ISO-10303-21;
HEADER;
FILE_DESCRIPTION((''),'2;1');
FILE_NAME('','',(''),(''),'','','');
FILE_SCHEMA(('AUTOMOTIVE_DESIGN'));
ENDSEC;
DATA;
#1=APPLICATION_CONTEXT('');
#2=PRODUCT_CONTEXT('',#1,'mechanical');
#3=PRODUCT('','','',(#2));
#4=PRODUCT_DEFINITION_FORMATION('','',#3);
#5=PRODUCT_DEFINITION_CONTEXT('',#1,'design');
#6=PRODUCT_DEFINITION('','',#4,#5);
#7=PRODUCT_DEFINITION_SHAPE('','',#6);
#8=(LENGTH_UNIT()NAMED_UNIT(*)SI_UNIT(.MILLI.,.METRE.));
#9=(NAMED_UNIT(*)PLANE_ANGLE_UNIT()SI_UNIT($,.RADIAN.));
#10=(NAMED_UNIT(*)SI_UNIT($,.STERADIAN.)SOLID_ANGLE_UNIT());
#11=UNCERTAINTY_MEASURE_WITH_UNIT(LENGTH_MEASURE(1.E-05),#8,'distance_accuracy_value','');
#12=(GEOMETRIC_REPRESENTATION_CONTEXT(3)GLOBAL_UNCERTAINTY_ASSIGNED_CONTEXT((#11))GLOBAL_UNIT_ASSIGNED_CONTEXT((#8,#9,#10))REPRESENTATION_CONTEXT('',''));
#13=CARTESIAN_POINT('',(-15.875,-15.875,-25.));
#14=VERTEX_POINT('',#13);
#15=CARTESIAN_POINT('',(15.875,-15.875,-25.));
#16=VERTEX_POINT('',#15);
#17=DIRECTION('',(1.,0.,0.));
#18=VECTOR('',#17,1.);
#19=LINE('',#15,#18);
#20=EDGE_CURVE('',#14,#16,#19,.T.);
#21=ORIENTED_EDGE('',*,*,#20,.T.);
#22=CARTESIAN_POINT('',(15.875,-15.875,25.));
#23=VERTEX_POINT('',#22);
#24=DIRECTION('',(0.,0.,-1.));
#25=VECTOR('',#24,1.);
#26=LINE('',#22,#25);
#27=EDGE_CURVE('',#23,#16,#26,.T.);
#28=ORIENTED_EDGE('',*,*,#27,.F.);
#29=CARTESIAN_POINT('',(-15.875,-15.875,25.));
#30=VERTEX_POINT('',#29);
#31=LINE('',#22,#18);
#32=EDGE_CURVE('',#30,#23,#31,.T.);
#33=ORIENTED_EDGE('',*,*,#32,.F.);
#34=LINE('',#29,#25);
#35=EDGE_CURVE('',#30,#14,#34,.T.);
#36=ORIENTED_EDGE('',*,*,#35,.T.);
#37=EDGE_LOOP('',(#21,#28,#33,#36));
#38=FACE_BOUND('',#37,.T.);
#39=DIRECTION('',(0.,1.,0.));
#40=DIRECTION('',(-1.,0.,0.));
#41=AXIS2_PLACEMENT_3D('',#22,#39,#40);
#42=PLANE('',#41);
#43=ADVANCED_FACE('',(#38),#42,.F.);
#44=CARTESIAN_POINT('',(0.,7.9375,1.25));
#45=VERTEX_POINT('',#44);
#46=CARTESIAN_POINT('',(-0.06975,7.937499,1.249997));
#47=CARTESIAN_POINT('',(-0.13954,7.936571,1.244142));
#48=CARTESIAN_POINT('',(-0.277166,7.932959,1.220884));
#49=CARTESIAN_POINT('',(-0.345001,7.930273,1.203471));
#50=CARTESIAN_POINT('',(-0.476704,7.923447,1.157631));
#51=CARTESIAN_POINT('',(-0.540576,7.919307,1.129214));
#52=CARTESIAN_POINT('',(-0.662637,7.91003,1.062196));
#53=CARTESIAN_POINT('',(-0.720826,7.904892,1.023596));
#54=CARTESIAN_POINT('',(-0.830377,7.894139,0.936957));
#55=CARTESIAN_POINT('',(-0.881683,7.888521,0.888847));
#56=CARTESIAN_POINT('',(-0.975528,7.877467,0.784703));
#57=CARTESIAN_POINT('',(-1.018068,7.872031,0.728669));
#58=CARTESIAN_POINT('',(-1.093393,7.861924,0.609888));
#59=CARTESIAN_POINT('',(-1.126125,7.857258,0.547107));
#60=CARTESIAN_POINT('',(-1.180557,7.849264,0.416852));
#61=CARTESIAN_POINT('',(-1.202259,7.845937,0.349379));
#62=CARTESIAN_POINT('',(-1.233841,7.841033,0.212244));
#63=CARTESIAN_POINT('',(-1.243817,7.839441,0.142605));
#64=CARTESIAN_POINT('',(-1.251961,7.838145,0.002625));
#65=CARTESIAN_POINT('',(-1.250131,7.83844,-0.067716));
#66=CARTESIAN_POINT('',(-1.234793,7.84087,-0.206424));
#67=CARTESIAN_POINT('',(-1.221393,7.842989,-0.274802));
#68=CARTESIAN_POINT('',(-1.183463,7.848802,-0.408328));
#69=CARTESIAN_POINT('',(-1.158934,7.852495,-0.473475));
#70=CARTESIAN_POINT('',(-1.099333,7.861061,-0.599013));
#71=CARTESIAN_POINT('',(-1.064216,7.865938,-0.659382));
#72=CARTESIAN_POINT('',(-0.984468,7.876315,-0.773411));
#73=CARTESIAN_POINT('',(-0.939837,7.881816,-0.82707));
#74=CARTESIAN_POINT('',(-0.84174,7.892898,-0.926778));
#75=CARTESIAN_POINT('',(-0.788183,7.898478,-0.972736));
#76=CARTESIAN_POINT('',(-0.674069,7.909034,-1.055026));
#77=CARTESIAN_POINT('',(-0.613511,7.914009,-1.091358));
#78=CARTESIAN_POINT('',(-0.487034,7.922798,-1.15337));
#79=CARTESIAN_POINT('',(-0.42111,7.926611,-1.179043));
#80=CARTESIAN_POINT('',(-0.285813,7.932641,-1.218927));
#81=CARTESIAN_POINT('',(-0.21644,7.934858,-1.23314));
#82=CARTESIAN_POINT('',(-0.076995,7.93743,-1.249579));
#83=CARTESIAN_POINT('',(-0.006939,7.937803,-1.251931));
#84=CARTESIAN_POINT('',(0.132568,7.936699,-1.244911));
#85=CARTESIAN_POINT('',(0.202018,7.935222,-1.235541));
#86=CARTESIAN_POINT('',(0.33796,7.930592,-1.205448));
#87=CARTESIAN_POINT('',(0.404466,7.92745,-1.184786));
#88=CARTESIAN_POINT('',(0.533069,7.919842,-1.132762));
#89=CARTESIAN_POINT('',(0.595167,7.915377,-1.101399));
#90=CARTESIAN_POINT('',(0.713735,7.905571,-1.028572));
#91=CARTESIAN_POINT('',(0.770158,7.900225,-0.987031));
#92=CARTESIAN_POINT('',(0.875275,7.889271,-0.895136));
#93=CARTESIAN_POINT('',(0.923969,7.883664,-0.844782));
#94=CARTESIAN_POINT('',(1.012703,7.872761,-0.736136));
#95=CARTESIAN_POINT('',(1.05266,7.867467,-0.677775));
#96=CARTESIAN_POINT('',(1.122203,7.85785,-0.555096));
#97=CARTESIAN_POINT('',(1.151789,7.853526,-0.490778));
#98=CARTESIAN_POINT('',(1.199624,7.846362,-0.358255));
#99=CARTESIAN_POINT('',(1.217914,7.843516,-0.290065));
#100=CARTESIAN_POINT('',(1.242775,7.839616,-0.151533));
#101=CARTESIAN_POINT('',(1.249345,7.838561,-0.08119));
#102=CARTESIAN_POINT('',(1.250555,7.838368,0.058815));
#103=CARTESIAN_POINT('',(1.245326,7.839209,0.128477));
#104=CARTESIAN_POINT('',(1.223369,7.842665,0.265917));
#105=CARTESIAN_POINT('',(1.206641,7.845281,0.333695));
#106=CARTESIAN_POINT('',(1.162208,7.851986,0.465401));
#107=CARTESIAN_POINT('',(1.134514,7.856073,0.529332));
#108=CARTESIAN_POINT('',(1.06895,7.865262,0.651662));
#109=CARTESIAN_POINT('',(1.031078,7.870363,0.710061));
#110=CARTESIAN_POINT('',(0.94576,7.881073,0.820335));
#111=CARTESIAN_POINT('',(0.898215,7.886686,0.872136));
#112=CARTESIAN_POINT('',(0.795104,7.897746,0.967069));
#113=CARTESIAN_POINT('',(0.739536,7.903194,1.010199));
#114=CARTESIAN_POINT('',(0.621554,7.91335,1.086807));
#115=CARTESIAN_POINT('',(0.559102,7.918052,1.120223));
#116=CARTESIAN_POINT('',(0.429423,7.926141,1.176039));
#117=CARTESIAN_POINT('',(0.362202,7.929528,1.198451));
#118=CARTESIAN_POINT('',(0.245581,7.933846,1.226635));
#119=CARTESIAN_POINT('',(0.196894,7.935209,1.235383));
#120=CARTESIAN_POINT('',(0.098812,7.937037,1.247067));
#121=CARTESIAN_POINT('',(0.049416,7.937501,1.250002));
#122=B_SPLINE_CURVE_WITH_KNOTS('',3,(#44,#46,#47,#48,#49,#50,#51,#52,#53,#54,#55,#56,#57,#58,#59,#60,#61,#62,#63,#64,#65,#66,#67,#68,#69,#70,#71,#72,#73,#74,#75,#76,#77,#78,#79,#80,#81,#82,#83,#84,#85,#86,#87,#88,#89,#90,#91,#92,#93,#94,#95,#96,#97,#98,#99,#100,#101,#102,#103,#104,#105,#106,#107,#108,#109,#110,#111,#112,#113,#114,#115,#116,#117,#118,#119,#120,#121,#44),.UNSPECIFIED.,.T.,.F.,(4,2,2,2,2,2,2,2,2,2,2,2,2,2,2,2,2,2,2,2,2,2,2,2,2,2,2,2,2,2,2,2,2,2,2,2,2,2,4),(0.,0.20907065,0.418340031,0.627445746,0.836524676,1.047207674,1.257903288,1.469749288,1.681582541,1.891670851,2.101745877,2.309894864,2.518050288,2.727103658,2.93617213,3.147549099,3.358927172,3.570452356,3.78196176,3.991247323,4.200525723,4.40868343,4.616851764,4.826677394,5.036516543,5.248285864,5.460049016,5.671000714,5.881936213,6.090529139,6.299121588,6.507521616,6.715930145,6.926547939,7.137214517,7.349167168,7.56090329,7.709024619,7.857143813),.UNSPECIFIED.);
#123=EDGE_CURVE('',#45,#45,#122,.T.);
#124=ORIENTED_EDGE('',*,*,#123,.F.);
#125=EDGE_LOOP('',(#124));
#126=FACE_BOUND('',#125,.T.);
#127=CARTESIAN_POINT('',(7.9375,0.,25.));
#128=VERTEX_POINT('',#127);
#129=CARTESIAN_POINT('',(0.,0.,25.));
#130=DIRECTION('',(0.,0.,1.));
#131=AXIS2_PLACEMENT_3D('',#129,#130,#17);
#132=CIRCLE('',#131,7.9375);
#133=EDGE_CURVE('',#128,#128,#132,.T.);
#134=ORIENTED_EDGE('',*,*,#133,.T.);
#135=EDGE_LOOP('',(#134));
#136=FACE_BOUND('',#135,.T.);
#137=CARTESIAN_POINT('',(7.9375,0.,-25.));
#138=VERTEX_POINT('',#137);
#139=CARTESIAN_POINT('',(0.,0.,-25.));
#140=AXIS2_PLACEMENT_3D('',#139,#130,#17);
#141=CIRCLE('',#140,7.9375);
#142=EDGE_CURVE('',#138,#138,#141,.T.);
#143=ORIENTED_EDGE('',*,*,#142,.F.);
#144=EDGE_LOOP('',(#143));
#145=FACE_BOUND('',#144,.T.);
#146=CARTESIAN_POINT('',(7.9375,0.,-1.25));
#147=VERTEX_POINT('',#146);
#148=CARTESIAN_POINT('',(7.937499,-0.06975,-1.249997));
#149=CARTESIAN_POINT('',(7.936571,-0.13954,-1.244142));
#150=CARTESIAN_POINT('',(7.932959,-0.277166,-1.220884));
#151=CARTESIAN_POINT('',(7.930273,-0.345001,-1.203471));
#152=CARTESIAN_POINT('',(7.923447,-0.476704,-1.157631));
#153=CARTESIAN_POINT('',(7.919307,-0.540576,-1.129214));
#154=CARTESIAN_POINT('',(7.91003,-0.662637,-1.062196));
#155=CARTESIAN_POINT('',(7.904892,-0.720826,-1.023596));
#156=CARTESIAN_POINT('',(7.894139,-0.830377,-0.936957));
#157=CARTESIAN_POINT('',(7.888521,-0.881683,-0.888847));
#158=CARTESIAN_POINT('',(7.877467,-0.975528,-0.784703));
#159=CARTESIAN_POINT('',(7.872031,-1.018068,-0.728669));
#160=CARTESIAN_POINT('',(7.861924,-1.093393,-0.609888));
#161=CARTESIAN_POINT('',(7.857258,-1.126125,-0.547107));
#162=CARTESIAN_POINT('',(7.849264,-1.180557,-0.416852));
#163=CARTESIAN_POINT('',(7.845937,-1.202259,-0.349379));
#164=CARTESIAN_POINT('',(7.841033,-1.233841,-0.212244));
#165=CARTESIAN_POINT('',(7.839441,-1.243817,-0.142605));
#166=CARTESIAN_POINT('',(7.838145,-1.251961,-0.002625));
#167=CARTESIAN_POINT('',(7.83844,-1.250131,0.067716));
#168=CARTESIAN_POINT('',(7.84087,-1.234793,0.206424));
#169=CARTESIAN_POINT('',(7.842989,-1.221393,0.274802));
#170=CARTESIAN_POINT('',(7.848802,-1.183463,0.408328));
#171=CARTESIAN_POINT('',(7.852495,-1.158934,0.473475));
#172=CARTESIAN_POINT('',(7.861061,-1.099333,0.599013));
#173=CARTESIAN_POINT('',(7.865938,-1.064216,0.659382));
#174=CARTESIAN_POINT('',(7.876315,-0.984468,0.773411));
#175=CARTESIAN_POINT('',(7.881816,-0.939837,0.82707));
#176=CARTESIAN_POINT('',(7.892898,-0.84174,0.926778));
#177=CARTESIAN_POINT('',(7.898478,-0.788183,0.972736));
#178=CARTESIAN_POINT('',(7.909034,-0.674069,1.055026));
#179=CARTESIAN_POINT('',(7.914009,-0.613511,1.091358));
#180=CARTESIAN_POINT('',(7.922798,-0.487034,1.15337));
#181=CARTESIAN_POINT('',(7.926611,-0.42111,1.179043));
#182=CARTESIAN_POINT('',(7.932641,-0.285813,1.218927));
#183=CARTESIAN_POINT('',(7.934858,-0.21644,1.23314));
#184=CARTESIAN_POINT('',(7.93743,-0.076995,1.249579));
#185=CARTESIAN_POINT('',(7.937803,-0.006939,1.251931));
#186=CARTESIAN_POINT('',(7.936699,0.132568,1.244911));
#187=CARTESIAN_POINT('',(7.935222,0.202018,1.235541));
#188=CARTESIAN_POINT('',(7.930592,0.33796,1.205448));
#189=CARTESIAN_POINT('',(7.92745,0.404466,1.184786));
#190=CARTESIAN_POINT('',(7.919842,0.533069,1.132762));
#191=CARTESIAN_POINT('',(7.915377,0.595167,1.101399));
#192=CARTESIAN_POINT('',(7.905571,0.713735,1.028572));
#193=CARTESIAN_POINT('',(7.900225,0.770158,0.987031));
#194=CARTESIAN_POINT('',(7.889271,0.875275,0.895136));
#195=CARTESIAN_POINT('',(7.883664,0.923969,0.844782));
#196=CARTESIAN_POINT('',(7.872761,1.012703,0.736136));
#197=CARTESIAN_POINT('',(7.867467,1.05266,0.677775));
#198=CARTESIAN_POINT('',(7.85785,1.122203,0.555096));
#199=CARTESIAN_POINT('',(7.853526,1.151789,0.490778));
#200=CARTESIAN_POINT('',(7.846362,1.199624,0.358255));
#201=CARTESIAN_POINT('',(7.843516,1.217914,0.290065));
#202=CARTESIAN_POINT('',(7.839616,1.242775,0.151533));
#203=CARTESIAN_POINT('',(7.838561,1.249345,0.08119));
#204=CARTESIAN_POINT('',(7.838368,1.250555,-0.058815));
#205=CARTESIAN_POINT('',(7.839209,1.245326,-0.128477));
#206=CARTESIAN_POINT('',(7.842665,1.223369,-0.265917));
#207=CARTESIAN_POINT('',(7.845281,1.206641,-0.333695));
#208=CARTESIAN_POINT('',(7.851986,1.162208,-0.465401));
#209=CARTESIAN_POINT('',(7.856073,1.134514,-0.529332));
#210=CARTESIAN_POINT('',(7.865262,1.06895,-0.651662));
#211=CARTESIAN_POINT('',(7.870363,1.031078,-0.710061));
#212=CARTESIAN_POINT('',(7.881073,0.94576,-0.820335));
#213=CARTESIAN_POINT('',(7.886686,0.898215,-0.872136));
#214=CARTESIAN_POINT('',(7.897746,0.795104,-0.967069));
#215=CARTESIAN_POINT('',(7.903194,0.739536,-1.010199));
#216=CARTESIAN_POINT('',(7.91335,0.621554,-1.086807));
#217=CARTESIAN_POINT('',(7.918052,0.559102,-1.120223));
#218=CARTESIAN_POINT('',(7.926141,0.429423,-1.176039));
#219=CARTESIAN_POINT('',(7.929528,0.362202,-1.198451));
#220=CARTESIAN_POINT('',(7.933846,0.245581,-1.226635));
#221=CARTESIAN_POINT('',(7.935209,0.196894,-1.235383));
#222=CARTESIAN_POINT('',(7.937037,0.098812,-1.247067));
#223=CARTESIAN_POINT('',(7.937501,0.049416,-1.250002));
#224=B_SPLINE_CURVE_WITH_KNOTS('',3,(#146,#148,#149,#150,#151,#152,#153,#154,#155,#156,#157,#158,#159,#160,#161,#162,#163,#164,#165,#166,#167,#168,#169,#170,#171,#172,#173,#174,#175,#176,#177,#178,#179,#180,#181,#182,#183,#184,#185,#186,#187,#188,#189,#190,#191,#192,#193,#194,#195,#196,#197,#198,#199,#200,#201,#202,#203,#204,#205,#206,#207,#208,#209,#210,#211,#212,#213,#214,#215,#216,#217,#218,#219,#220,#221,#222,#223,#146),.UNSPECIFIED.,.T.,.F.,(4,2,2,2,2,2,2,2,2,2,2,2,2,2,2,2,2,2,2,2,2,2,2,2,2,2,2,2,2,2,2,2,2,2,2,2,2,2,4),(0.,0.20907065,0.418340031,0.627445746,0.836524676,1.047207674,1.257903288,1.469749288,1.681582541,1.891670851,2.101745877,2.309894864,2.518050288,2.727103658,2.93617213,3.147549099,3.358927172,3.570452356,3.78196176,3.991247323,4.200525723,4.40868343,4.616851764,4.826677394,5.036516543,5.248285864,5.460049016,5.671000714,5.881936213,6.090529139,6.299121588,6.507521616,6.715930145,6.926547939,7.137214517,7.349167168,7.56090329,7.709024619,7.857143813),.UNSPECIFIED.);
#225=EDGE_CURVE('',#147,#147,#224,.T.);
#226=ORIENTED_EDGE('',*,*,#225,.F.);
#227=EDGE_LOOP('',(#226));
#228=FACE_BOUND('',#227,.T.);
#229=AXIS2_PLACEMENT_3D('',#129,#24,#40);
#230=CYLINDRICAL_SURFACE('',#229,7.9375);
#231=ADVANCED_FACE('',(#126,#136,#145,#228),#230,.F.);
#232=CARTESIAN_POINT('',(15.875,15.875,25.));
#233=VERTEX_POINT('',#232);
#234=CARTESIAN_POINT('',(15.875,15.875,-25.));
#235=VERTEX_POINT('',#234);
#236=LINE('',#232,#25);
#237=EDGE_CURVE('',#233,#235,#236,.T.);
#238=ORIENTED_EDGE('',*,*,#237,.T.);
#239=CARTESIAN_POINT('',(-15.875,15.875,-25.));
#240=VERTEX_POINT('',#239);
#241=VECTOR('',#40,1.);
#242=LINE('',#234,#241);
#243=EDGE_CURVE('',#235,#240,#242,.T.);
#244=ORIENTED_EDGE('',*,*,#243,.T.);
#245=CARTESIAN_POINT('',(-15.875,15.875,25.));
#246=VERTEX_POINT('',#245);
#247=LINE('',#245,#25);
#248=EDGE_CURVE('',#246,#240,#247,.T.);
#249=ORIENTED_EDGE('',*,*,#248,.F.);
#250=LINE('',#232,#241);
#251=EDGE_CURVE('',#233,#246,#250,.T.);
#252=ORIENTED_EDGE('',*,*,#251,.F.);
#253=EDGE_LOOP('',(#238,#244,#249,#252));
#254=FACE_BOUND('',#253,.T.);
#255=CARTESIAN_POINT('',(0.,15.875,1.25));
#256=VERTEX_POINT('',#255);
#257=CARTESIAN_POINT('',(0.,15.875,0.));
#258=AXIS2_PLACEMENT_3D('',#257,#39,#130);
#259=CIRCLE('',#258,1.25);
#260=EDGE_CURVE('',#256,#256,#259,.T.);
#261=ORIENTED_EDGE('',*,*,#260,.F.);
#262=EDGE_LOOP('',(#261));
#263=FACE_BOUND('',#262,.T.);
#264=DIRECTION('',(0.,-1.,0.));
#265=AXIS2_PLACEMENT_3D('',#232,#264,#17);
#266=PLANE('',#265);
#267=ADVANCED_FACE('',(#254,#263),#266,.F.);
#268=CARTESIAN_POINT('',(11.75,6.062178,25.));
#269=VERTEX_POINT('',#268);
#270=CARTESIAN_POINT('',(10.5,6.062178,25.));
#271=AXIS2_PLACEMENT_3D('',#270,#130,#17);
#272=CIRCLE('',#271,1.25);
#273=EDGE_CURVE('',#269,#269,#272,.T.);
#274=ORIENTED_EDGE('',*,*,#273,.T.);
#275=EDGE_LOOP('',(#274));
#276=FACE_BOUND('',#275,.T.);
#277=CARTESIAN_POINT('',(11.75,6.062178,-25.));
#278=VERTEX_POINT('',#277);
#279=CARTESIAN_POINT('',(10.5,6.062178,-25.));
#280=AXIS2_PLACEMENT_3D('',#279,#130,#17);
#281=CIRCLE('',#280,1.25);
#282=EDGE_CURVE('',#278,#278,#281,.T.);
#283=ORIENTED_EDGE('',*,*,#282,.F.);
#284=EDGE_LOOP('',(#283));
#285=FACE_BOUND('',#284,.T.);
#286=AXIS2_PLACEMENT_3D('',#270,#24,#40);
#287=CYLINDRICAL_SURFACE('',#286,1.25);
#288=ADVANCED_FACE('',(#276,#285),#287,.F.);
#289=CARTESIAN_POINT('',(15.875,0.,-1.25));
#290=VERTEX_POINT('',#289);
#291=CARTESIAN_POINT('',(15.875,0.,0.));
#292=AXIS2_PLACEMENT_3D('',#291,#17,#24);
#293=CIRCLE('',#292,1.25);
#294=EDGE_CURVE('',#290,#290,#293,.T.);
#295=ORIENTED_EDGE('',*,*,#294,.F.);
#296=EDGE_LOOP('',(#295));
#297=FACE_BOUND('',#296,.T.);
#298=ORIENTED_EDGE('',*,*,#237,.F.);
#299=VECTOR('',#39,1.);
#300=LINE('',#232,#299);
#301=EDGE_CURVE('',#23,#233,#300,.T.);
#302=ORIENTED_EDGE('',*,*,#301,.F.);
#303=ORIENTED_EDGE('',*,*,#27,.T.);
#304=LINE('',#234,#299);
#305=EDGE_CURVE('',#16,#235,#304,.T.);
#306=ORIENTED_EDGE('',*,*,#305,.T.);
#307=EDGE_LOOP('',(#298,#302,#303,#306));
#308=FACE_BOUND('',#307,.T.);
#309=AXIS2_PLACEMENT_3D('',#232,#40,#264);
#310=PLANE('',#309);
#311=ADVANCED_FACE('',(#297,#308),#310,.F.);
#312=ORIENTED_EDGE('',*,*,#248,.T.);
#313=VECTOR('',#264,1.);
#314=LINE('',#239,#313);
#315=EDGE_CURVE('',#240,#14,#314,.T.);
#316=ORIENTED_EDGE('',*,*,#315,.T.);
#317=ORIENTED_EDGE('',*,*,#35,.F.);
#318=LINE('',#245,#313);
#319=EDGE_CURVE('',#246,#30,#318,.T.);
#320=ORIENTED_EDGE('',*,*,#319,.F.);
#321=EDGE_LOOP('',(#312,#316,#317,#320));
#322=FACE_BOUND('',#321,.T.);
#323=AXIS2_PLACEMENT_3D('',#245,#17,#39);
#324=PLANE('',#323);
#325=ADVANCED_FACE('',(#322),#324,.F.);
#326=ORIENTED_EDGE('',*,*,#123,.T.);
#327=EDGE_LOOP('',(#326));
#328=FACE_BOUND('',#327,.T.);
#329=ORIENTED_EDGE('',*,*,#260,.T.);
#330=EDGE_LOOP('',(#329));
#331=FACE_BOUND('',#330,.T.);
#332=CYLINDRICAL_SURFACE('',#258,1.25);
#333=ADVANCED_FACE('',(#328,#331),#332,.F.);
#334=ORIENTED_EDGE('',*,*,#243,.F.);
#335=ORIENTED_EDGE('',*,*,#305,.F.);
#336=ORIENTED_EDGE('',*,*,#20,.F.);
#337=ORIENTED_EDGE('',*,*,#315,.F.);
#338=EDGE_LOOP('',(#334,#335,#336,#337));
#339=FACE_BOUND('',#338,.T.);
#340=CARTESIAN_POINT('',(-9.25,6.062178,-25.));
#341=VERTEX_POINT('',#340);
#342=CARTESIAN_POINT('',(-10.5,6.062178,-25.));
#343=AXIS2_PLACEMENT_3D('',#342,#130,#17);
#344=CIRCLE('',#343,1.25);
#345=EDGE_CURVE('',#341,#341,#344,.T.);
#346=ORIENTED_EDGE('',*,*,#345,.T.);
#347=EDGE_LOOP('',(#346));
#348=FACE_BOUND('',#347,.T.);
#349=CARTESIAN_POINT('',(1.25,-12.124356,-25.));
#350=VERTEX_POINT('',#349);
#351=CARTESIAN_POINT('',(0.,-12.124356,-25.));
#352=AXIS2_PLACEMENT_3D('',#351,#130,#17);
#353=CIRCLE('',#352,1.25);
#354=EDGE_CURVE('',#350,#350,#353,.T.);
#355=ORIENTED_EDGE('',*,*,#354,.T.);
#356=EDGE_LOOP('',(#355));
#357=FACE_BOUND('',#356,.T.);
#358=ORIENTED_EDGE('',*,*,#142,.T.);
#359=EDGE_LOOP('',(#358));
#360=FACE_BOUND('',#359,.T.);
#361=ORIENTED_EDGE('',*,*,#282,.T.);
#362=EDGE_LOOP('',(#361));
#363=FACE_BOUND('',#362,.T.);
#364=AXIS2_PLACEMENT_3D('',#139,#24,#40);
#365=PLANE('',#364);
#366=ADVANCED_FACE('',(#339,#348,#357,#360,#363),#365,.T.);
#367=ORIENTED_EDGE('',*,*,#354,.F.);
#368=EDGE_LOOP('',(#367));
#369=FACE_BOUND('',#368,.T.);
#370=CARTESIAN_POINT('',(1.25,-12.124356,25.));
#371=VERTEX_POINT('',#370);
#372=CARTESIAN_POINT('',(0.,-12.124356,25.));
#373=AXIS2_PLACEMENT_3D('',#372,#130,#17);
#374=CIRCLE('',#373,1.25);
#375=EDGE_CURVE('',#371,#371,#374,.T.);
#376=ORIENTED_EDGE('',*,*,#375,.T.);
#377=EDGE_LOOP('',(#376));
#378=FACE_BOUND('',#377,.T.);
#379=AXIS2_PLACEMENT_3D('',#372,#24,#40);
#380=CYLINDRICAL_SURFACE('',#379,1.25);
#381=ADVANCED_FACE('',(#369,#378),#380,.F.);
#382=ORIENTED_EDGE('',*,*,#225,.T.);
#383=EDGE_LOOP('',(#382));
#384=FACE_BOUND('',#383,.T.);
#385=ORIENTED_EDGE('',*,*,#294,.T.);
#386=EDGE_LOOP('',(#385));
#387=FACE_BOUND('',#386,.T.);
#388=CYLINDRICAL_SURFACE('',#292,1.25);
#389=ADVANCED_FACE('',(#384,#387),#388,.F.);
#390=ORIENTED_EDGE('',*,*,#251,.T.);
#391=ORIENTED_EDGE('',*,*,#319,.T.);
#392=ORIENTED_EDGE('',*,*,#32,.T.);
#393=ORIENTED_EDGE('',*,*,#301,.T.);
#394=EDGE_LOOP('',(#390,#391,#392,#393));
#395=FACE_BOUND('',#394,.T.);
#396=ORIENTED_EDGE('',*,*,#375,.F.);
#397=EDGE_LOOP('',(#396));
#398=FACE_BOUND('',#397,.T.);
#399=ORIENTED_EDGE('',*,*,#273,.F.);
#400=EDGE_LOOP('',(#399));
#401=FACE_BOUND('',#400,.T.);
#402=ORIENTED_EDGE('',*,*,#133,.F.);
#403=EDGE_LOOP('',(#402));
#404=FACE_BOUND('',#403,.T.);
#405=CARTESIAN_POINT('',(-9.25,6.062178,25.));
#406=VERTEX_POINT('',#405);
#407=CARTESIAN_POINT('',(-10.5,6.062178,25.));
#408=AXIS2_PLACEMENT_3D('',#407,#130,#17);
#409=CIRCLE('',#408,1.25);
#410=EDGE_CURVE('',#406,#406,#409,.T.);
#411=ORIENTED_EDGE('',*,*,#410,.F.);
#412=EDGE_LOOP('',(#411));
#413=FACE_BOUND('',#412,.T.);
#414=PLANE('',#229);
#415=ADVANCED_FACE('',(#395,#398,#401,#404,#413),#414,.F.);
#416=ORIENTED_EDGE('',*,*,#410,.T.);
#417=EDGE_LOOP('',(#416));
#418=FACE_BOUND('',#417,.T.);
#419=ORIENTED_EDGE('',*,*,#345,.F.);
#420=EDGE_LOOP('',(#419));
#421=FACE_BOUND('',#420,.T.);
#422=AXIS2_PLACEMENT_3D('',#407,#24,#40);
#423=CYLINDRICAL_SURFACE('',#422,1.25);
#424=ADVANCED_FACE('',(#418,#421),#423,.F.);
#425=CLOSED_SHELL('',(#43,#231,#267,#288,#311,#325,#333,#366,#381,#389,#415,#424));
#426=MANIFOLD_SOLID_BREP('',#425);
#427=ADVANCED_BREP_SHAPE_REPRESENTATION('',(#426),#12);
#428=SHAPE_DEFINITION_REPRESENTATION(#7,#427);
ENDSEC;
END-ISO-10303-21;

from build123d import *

# Parameters (mm, degrees)
SKETCH1_W                  = 31.75
SKETCH1_H                  = 31.75
SKETCH1_R                  = 7.9375
SKETCH1_R_2                = 1.25
BOSS_EXTRUDE1_DEPTH        = 25
M3X0_5_TAPPED_HOLE1_REACH  = 45.417
M3X0_5_TAPPED_HOLE1_BORE_R = 1.25
M3X0_5_TAPPED_HOLE2_REACH  = 45.417
M3X0_5_TAPPED_HOLE2_BORE_R = 1.25


with BuildPart() as part:
    # Sketch1 → Boss-Extrude1 (new, symmetric)
    with BuildSketch(Plane.XY):
        Rectangle(SKETCH1_W, SKETCH1_H)
        Circle(SKETCH1_R, mode=Mode.SUBTRACT)
        with Locations((-10.5, 6.062177826)):
            Circle(SKETCH1_R_2, mode=Mode.SUBTRACT)
        with Locations((10.5, 6.062177826)):
            Circle(SKETCH1_R_2, mode=Mode.SUBTRACT)
        with Locations((0, -12.124355653)):
            Circle(SKETCH1_R_2, mode=Mode.SUBTRACT)
    extrude(amount=BOSS_EXTRUDE1_DEPTH, both=True)

    # M3x0.5 Tapped Hole1 bore → M3x0.5 Tapped Hole1 (cut, up to next)
    with BuildSketch(Plane(origin=(0, 15.875, 0), x_dir=(1, 0, 0), z_dir=(0, 1, 0)), mode=Mode.PRIVATE) as m3x0_5_tapped_hole1_sk1:
        Circle(M3X0_5_TAPPED_HOLE1_BORE_R)
    m3x0_5_tapped_hole1_tool1 = extrude(m3x0_5_tapped_hole1_sk1.sketch, amount=-M3X0_5_TAPPED_HOLE1_REACH, mode=Mode.PRIVATE) & part.part
    add(m3x0_5_tapped_hole1_tool1.solids().sort_by_distance((0, 15.875, 0))[0], mode=Mode.SUBTRACT)

    # M3x0.5 Tapped Hole2 bore → M3x0.5 Tapped Hole2 (cut, up to next)
    with BuildSketch(Plane(origin=(15.875, 0, 0), x_dir=(0, 0, -1), z_dir=(1, 0, 0)), mode=Mode.PRIVATE) as m3x0_5_tapped_hole2_sk1:
        Circle(M3X0_5_TAPPED_HOLE2_BORE_R)
    m3x0_5_tapped_hole2_tool1 = extrude(m3x0_5_tapped_hole2_sk1.sketch, amount=-M3X0_5_TAPPED_HOLE2_REACH, mode=Mode.PRIVATE) & part.part
    add(m3x0_5_tapped_hole2_tool1.solids().sort_by_distance((15.875, 0, 0))[0], mode=Mode.SUBTRACT)


solid = part.part
